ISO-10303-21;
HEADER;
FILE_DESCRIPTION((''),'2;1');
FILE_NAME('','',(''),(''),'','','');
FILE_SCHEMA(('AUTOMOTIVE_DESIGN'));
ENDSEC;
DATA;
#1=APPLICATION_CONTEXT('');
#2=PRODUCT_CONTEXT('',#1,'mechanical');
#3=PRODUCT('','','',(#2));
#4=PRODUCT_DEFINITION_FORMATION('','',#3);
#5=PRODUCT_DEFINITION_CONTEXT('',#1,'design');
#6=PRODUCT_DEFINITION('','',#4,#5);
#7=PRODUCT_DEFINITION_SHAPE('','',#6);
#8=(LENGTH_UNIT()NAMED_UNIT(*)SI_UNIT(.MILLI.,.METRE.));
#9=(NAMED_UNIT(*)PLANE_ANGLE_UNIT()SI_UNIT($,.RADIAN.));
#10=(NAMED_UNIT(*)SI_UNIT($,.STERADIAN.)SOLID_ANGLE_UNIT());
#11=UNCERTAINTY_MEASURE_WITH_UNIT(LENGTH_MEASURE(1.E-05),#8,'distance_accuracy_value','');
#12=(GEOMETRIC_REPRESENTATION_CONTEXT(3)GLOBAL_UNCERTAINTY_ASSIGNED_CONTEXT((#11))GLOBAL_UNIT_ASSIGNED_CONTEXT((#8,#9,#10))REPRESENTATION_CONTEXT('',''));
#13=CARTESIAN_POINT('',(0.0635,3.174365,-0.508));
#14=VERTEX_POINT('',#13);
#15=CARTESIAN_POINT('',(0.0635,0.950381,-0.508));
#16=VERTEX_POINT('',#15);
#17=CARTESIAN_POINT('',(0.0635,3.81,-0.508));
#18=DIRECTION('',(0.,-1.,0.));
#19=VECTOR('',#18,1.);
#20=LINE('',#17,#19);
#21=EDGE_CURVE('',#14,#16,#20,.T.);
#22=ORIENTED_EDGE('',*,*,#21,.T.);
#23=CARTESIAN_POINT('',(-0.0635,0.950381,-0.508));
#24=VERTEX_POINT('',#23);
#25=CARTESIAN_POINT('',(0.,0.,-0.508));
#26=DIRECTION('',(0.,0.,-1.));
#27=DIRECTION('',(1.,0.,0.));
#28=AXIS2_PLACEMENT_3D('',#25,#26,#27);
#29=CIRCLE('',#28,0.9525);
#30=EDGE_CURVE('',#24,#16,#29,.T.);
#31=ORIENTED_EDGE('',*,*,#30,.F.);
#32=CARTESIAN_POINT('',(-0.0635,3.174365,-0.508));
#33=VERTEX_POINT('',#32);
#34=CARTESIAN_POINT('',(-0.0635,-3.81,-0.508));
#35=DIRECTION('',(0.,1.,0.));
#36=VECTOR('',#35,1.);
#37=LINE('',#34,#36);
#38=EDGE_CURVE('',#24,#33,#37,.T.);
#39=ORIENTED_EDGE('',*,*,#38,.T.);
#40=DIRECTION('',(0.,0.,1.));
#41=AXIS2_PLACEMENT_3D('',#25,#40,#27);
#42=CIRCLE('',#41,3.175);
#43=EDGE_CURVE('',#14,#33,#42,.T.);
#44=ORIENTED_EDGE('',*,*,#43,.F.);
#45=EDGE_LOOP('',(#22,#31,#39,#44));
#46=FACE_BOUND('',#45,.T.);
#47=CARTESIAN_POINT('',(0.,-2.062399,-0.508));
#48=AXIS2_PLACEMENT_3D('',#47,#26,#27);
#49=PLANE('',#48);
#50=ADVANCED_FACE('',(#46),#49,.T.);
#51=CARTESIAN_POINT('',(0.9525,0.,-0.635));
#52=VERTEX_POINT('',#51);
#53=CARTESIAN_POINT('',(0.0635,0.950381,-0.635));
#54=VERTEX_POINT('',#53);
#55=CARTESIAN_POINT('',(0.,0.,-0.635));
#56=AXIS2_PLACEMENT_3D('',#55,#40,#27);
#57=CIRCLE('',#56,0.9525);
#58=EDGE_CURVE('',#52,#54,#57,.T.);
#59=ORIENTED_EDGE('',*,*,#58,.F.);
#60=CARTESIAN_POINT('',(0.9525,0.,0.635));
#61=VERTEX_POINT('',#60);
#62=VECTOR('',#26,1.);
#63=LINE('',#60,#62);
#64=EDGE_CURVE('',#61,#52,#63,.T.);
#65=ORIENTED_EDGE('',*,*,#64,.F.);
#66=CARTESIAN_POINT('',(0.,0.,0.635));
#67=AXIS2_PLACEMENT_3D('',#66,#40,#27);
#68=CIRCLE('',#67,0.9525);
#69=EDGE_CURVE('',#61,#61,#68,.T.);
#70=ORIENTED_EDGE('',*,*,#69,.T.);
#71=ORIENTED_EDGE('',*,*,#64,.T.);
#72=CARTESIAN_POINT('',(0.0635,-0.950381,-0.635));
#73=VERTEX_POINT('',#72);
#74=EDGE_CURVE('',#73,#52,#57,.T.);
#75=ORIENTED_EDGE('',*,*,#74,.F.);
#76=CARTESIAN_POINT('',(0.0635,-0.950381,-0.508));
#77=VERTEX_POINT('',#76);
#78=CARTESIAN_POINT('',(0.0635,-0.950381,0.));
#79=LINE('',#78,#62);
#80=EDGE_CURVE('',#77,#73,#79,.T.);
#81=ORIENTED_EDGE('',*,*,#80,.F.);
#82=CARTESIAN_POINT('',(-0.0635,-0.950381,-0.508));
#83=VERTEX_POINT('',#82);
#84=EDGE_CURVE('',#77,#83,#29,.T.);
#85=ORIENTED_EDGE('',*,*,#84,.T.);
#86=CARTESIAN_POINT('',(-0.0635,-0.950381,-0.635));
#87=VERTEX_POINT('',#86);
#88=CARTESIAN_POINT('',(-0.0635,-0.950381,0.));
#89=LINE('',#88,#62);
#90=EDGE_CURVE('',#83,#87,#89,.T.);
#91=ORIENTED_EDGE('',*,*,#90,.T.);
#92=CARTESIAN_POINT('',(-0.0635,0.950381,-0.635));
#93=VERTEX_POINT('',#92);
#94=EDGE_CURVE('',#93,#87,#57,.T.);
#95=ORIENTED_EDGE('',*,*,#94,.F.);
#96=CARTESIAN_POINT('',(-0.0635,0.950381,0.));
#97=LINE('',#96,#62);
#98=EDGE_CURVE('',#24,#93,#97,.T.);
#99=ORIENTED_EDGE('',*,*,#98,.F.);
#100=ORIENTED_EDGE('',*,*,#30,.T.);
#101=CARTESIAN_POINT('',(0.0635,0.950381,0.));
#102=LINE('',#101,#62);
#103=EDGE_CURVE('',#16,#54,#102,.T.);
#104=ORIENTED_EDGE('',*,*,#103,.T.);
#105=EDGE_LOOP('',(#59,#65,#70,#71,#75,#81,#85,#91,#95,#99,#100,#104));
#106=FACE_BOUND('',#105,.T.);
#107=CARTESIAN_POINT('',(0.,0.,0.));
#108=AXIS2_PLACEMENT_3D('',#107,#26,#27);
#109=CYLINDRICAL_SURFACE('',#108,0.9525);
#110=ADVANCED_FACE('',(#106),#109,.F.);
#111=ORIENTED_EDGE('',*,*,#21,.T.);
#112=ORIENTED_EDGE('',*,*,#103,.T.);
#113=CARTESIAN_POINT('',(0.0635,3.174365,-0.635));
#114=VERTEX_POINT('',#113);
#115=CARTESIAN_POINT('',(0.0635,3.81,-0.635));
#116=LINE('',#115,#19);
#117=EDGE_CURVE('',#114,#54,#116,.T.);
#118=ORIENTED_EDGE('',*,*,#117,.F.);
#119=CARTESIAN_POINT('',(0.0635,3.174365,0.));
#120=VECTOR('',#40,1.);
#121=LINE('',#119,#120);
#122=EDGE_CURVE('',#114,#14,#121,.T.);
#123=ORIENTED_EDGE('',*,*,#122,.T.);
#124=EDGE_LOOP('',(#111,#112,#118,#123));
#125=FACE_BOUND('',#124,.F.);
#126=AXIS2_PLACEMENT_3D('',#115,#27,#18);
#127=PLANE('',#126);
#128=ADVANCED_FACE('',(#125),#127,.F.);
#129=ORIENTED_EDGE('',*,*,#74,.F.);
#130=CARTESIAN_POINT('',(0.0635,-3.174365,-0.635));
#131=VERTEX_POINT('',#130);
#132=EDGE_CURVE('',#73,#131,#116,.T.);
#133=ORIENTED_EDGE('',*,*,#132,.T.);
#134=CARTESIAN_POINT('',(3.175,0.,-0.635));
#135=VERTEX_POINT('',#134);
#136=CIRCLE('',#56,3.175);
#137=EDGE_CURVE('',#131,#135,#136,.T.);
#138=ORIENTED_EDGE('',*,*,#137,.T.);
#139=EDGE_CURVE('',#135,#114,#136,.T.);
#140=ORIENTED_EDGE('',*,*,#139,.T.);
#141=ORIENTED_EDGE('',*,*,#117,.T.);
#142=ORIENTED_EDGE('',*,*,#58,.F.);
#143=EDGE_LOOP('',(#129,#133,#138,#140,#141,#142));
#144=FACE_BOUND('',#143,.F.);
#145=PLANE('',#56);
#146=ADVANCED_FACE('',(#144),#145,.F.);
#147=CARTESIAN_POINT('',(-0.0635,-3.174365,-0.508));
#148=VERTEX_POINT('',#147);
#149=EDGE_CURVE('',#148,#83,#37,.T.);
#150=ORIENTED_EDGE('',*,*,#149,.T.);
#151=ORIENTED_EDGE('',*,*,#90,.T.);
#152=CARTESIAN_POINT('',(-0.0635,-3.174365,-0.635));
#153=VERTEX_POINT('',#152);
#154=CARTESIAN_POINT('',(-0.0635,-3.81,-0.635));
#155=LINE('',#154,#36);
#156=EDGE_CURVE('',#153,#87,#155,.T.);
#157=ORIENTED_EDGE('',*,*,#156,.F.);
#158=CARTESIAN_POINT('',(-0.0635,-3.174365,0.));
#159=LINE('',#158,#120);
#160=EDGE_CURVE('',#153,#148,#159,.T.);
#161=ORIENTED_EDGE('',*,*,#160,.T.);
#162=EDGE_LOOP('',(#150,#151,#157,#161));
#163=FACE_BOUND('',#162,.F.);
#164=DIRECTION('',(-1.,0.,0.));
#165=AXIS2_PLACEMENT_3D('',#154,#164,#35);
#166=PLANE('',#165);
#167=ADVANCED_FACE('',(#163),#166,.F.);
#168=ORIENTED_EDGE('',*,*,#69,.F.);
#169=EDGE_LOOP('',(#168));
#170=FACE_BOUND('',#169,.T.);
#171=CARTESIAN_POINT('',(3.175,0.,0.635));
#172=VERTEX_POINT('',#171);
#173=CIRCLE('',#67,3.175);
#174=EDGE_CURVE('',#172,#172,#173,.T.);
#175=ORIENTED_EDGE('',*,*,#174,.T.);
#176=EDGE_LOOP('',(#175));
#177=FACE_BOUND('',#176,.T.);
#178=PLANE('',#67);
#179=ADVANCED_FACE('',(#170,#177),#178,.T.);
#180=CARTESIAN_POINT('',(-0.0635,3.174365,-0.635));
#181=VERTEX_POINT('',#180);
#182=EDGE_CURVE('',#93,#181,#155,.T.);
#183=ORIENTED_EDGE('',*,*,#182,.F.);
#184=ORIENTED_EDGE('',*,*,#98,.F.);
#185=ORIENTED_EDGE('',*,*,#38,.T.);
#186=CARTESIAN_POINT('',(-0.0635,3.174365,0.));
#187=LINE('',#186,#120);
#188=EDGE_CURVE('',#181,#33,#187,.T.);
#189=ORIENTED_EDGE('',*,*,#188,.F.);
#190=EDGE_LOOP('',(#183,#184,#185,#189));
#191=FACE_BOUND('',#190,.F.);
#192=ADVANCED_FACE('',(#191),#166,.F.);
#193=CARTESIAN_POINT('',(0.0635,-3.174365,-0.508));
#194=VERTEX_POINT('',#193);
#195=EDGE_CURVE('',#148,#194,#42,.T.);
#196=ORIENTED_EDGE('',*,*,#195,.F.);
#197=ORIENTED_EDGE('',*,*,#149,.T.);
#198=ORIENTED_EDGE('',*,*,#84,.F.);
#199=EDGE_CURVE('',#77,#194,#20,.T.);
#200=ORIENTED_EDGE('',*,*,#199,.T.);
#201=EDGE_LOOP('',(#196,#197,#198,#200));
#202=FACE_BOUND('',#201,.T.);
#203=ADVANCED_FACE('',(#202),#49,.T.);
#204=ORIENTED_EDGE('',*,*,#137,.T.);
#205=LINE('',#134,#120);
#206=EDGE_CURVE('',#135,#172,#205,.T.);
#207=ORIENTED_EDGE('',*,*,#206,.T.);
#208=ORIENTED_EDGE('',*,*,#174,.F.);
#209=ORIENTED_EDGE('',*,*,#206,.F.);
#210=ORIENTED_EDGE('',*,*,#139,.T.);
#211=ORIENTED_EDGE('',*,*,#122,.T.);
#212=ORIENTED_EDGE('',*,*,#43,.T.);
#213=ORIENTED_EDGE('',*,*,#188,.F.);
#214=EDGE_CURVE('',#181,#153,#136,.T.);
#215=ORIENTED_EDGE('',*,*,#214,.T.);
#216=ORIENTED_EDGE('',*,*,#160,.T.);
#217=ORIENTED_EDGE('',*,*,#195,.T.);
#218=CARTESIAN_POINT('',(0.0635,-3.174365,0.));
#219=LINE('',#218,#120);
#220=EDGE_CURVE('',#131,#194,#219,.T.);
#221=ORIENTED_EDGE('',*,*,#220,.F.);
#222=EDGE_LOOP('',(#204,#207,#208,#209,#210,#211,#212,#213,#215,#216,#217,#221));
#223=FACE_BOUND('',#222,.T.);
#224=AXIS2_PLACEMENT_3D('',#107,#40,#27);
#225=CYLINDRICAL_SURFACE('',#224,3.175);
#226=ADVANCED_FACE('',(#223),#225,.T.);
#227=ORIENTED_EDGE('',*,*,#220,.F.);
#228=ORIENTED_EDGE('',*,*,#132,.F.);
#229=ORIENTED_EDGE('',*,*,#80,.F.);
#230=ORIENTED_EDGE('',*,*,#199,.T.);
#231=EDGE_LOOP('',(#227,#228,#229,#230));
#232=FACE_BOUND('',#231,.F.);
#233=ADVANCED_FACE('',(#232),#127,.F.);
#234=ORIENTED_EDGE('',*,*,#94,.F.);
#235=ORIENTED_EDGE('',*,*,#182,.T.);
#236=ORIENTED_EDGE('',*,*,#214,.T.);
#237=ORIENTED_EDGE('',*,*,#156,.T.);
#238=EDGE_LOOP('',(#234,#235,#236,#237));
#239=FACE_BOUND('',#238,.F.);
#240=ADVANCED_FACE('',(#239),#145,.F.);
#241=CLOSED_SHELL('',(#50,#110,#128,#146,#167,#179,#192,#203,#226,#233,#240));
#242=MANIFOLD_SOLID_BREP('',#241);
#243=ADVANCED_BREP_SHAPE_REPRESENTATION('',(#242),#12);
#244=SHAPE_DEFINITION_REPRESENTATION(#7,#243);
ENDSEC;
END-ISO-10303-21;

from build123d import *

# Parameters (mm, degrees)
F0_R     = 3.175
F0_R_2   = 0.9525
F1_DEPTH = 0.635
F3_DEPTH = 0.127


with BuildPart() as f1:
    # F0 (on Top) → F1 (new body, symmetric)
    with BuildSketch(Plane.XY):
        Circle(F0_R)
        Circle(F0_R_2, mode=Mode.SUBTRACT)
    extrude(amount=F1_DEPTH, both=True)

    # F2 (on face) → F3 (cut)
    with BuildSketch(Plane(origin=(0, 0, -0.635), x_dir=(1, 0, 0), z_dir=(0, 0, -1))):
        with BuildLine():
            Line((0.0635, 0.9503809762), (0.0635, 3.1743649365))
            ThreePointArc((0.0635, 3.1743649365), (0, 3.175), (-0.0635, 3.1743649365))
            Line((-0.0635, 3.1743649365), (-0.0635, 0.9503809762))
            ThreePointArc((-0.0635, 0.9503809762), (0, 0.9525), (0.0635, 0.9503809762))
        make_face()
        with BuildLine():
            Line((-0.0635, -0.9503809762), (-0.0635, -3.1743649365))
            ThreePointArc((-0.0635, -3.1743649365), (0, -3.175), (0.0635, -3.1743649365))
            Line((0.0635, -3.1743649365), (0.0635, -0.9503809762))
            ThreePointArc((0.0635, -0.9503809762), (0, -0.9525), (-0.0635, -0.9503809762))
        make_face()
        with BuildLine():
            ThreePointArc((0.0635, -3.1743649365), (0, -3.175), (-0.0635, -3.1743649365))
            Line((-0.0635, -3.1743649365), (-0.0635, -3.81))
            Line((-0.0635, -3.81), (0.0635, -3.81))
            Line((0.0635, -3.81), (0.0635, -3.1743649365))
        make_face()
        with BuildLine():
            Line((0.0635, -0.9503809762), (0.0635, 0.9503809762))
            ThreePointArc((0.0635, 0.9503809762), (0, 0.9525), (-0.0635, 0.9503809762))
            Line((-0.0635, 0.9503809762), (-0.0635, -0.9503809762))
            ThreePointArc((-0.0635, -0.9503809762), (0, -0.9525), (0.0635, -0.9503809762))
        make_face()
        with BuildLine():
            Line((0.0635, 3.1743649365), (0.0635, 3.81))
            Line((0.0635, 3.81), (-0.0635, 3.81))
            Line((-0.0635, 3.81), (-0.0635, 3.1743649365))
            ThreePointArc((-0.0635, 3.1743649365), (0, 3.175), (0.0635, 3.1743649365))
        make_face()
    extrude(amount=-F3_DEPTH, mode=Mode.SUBTRACT)


solid = f1.part
